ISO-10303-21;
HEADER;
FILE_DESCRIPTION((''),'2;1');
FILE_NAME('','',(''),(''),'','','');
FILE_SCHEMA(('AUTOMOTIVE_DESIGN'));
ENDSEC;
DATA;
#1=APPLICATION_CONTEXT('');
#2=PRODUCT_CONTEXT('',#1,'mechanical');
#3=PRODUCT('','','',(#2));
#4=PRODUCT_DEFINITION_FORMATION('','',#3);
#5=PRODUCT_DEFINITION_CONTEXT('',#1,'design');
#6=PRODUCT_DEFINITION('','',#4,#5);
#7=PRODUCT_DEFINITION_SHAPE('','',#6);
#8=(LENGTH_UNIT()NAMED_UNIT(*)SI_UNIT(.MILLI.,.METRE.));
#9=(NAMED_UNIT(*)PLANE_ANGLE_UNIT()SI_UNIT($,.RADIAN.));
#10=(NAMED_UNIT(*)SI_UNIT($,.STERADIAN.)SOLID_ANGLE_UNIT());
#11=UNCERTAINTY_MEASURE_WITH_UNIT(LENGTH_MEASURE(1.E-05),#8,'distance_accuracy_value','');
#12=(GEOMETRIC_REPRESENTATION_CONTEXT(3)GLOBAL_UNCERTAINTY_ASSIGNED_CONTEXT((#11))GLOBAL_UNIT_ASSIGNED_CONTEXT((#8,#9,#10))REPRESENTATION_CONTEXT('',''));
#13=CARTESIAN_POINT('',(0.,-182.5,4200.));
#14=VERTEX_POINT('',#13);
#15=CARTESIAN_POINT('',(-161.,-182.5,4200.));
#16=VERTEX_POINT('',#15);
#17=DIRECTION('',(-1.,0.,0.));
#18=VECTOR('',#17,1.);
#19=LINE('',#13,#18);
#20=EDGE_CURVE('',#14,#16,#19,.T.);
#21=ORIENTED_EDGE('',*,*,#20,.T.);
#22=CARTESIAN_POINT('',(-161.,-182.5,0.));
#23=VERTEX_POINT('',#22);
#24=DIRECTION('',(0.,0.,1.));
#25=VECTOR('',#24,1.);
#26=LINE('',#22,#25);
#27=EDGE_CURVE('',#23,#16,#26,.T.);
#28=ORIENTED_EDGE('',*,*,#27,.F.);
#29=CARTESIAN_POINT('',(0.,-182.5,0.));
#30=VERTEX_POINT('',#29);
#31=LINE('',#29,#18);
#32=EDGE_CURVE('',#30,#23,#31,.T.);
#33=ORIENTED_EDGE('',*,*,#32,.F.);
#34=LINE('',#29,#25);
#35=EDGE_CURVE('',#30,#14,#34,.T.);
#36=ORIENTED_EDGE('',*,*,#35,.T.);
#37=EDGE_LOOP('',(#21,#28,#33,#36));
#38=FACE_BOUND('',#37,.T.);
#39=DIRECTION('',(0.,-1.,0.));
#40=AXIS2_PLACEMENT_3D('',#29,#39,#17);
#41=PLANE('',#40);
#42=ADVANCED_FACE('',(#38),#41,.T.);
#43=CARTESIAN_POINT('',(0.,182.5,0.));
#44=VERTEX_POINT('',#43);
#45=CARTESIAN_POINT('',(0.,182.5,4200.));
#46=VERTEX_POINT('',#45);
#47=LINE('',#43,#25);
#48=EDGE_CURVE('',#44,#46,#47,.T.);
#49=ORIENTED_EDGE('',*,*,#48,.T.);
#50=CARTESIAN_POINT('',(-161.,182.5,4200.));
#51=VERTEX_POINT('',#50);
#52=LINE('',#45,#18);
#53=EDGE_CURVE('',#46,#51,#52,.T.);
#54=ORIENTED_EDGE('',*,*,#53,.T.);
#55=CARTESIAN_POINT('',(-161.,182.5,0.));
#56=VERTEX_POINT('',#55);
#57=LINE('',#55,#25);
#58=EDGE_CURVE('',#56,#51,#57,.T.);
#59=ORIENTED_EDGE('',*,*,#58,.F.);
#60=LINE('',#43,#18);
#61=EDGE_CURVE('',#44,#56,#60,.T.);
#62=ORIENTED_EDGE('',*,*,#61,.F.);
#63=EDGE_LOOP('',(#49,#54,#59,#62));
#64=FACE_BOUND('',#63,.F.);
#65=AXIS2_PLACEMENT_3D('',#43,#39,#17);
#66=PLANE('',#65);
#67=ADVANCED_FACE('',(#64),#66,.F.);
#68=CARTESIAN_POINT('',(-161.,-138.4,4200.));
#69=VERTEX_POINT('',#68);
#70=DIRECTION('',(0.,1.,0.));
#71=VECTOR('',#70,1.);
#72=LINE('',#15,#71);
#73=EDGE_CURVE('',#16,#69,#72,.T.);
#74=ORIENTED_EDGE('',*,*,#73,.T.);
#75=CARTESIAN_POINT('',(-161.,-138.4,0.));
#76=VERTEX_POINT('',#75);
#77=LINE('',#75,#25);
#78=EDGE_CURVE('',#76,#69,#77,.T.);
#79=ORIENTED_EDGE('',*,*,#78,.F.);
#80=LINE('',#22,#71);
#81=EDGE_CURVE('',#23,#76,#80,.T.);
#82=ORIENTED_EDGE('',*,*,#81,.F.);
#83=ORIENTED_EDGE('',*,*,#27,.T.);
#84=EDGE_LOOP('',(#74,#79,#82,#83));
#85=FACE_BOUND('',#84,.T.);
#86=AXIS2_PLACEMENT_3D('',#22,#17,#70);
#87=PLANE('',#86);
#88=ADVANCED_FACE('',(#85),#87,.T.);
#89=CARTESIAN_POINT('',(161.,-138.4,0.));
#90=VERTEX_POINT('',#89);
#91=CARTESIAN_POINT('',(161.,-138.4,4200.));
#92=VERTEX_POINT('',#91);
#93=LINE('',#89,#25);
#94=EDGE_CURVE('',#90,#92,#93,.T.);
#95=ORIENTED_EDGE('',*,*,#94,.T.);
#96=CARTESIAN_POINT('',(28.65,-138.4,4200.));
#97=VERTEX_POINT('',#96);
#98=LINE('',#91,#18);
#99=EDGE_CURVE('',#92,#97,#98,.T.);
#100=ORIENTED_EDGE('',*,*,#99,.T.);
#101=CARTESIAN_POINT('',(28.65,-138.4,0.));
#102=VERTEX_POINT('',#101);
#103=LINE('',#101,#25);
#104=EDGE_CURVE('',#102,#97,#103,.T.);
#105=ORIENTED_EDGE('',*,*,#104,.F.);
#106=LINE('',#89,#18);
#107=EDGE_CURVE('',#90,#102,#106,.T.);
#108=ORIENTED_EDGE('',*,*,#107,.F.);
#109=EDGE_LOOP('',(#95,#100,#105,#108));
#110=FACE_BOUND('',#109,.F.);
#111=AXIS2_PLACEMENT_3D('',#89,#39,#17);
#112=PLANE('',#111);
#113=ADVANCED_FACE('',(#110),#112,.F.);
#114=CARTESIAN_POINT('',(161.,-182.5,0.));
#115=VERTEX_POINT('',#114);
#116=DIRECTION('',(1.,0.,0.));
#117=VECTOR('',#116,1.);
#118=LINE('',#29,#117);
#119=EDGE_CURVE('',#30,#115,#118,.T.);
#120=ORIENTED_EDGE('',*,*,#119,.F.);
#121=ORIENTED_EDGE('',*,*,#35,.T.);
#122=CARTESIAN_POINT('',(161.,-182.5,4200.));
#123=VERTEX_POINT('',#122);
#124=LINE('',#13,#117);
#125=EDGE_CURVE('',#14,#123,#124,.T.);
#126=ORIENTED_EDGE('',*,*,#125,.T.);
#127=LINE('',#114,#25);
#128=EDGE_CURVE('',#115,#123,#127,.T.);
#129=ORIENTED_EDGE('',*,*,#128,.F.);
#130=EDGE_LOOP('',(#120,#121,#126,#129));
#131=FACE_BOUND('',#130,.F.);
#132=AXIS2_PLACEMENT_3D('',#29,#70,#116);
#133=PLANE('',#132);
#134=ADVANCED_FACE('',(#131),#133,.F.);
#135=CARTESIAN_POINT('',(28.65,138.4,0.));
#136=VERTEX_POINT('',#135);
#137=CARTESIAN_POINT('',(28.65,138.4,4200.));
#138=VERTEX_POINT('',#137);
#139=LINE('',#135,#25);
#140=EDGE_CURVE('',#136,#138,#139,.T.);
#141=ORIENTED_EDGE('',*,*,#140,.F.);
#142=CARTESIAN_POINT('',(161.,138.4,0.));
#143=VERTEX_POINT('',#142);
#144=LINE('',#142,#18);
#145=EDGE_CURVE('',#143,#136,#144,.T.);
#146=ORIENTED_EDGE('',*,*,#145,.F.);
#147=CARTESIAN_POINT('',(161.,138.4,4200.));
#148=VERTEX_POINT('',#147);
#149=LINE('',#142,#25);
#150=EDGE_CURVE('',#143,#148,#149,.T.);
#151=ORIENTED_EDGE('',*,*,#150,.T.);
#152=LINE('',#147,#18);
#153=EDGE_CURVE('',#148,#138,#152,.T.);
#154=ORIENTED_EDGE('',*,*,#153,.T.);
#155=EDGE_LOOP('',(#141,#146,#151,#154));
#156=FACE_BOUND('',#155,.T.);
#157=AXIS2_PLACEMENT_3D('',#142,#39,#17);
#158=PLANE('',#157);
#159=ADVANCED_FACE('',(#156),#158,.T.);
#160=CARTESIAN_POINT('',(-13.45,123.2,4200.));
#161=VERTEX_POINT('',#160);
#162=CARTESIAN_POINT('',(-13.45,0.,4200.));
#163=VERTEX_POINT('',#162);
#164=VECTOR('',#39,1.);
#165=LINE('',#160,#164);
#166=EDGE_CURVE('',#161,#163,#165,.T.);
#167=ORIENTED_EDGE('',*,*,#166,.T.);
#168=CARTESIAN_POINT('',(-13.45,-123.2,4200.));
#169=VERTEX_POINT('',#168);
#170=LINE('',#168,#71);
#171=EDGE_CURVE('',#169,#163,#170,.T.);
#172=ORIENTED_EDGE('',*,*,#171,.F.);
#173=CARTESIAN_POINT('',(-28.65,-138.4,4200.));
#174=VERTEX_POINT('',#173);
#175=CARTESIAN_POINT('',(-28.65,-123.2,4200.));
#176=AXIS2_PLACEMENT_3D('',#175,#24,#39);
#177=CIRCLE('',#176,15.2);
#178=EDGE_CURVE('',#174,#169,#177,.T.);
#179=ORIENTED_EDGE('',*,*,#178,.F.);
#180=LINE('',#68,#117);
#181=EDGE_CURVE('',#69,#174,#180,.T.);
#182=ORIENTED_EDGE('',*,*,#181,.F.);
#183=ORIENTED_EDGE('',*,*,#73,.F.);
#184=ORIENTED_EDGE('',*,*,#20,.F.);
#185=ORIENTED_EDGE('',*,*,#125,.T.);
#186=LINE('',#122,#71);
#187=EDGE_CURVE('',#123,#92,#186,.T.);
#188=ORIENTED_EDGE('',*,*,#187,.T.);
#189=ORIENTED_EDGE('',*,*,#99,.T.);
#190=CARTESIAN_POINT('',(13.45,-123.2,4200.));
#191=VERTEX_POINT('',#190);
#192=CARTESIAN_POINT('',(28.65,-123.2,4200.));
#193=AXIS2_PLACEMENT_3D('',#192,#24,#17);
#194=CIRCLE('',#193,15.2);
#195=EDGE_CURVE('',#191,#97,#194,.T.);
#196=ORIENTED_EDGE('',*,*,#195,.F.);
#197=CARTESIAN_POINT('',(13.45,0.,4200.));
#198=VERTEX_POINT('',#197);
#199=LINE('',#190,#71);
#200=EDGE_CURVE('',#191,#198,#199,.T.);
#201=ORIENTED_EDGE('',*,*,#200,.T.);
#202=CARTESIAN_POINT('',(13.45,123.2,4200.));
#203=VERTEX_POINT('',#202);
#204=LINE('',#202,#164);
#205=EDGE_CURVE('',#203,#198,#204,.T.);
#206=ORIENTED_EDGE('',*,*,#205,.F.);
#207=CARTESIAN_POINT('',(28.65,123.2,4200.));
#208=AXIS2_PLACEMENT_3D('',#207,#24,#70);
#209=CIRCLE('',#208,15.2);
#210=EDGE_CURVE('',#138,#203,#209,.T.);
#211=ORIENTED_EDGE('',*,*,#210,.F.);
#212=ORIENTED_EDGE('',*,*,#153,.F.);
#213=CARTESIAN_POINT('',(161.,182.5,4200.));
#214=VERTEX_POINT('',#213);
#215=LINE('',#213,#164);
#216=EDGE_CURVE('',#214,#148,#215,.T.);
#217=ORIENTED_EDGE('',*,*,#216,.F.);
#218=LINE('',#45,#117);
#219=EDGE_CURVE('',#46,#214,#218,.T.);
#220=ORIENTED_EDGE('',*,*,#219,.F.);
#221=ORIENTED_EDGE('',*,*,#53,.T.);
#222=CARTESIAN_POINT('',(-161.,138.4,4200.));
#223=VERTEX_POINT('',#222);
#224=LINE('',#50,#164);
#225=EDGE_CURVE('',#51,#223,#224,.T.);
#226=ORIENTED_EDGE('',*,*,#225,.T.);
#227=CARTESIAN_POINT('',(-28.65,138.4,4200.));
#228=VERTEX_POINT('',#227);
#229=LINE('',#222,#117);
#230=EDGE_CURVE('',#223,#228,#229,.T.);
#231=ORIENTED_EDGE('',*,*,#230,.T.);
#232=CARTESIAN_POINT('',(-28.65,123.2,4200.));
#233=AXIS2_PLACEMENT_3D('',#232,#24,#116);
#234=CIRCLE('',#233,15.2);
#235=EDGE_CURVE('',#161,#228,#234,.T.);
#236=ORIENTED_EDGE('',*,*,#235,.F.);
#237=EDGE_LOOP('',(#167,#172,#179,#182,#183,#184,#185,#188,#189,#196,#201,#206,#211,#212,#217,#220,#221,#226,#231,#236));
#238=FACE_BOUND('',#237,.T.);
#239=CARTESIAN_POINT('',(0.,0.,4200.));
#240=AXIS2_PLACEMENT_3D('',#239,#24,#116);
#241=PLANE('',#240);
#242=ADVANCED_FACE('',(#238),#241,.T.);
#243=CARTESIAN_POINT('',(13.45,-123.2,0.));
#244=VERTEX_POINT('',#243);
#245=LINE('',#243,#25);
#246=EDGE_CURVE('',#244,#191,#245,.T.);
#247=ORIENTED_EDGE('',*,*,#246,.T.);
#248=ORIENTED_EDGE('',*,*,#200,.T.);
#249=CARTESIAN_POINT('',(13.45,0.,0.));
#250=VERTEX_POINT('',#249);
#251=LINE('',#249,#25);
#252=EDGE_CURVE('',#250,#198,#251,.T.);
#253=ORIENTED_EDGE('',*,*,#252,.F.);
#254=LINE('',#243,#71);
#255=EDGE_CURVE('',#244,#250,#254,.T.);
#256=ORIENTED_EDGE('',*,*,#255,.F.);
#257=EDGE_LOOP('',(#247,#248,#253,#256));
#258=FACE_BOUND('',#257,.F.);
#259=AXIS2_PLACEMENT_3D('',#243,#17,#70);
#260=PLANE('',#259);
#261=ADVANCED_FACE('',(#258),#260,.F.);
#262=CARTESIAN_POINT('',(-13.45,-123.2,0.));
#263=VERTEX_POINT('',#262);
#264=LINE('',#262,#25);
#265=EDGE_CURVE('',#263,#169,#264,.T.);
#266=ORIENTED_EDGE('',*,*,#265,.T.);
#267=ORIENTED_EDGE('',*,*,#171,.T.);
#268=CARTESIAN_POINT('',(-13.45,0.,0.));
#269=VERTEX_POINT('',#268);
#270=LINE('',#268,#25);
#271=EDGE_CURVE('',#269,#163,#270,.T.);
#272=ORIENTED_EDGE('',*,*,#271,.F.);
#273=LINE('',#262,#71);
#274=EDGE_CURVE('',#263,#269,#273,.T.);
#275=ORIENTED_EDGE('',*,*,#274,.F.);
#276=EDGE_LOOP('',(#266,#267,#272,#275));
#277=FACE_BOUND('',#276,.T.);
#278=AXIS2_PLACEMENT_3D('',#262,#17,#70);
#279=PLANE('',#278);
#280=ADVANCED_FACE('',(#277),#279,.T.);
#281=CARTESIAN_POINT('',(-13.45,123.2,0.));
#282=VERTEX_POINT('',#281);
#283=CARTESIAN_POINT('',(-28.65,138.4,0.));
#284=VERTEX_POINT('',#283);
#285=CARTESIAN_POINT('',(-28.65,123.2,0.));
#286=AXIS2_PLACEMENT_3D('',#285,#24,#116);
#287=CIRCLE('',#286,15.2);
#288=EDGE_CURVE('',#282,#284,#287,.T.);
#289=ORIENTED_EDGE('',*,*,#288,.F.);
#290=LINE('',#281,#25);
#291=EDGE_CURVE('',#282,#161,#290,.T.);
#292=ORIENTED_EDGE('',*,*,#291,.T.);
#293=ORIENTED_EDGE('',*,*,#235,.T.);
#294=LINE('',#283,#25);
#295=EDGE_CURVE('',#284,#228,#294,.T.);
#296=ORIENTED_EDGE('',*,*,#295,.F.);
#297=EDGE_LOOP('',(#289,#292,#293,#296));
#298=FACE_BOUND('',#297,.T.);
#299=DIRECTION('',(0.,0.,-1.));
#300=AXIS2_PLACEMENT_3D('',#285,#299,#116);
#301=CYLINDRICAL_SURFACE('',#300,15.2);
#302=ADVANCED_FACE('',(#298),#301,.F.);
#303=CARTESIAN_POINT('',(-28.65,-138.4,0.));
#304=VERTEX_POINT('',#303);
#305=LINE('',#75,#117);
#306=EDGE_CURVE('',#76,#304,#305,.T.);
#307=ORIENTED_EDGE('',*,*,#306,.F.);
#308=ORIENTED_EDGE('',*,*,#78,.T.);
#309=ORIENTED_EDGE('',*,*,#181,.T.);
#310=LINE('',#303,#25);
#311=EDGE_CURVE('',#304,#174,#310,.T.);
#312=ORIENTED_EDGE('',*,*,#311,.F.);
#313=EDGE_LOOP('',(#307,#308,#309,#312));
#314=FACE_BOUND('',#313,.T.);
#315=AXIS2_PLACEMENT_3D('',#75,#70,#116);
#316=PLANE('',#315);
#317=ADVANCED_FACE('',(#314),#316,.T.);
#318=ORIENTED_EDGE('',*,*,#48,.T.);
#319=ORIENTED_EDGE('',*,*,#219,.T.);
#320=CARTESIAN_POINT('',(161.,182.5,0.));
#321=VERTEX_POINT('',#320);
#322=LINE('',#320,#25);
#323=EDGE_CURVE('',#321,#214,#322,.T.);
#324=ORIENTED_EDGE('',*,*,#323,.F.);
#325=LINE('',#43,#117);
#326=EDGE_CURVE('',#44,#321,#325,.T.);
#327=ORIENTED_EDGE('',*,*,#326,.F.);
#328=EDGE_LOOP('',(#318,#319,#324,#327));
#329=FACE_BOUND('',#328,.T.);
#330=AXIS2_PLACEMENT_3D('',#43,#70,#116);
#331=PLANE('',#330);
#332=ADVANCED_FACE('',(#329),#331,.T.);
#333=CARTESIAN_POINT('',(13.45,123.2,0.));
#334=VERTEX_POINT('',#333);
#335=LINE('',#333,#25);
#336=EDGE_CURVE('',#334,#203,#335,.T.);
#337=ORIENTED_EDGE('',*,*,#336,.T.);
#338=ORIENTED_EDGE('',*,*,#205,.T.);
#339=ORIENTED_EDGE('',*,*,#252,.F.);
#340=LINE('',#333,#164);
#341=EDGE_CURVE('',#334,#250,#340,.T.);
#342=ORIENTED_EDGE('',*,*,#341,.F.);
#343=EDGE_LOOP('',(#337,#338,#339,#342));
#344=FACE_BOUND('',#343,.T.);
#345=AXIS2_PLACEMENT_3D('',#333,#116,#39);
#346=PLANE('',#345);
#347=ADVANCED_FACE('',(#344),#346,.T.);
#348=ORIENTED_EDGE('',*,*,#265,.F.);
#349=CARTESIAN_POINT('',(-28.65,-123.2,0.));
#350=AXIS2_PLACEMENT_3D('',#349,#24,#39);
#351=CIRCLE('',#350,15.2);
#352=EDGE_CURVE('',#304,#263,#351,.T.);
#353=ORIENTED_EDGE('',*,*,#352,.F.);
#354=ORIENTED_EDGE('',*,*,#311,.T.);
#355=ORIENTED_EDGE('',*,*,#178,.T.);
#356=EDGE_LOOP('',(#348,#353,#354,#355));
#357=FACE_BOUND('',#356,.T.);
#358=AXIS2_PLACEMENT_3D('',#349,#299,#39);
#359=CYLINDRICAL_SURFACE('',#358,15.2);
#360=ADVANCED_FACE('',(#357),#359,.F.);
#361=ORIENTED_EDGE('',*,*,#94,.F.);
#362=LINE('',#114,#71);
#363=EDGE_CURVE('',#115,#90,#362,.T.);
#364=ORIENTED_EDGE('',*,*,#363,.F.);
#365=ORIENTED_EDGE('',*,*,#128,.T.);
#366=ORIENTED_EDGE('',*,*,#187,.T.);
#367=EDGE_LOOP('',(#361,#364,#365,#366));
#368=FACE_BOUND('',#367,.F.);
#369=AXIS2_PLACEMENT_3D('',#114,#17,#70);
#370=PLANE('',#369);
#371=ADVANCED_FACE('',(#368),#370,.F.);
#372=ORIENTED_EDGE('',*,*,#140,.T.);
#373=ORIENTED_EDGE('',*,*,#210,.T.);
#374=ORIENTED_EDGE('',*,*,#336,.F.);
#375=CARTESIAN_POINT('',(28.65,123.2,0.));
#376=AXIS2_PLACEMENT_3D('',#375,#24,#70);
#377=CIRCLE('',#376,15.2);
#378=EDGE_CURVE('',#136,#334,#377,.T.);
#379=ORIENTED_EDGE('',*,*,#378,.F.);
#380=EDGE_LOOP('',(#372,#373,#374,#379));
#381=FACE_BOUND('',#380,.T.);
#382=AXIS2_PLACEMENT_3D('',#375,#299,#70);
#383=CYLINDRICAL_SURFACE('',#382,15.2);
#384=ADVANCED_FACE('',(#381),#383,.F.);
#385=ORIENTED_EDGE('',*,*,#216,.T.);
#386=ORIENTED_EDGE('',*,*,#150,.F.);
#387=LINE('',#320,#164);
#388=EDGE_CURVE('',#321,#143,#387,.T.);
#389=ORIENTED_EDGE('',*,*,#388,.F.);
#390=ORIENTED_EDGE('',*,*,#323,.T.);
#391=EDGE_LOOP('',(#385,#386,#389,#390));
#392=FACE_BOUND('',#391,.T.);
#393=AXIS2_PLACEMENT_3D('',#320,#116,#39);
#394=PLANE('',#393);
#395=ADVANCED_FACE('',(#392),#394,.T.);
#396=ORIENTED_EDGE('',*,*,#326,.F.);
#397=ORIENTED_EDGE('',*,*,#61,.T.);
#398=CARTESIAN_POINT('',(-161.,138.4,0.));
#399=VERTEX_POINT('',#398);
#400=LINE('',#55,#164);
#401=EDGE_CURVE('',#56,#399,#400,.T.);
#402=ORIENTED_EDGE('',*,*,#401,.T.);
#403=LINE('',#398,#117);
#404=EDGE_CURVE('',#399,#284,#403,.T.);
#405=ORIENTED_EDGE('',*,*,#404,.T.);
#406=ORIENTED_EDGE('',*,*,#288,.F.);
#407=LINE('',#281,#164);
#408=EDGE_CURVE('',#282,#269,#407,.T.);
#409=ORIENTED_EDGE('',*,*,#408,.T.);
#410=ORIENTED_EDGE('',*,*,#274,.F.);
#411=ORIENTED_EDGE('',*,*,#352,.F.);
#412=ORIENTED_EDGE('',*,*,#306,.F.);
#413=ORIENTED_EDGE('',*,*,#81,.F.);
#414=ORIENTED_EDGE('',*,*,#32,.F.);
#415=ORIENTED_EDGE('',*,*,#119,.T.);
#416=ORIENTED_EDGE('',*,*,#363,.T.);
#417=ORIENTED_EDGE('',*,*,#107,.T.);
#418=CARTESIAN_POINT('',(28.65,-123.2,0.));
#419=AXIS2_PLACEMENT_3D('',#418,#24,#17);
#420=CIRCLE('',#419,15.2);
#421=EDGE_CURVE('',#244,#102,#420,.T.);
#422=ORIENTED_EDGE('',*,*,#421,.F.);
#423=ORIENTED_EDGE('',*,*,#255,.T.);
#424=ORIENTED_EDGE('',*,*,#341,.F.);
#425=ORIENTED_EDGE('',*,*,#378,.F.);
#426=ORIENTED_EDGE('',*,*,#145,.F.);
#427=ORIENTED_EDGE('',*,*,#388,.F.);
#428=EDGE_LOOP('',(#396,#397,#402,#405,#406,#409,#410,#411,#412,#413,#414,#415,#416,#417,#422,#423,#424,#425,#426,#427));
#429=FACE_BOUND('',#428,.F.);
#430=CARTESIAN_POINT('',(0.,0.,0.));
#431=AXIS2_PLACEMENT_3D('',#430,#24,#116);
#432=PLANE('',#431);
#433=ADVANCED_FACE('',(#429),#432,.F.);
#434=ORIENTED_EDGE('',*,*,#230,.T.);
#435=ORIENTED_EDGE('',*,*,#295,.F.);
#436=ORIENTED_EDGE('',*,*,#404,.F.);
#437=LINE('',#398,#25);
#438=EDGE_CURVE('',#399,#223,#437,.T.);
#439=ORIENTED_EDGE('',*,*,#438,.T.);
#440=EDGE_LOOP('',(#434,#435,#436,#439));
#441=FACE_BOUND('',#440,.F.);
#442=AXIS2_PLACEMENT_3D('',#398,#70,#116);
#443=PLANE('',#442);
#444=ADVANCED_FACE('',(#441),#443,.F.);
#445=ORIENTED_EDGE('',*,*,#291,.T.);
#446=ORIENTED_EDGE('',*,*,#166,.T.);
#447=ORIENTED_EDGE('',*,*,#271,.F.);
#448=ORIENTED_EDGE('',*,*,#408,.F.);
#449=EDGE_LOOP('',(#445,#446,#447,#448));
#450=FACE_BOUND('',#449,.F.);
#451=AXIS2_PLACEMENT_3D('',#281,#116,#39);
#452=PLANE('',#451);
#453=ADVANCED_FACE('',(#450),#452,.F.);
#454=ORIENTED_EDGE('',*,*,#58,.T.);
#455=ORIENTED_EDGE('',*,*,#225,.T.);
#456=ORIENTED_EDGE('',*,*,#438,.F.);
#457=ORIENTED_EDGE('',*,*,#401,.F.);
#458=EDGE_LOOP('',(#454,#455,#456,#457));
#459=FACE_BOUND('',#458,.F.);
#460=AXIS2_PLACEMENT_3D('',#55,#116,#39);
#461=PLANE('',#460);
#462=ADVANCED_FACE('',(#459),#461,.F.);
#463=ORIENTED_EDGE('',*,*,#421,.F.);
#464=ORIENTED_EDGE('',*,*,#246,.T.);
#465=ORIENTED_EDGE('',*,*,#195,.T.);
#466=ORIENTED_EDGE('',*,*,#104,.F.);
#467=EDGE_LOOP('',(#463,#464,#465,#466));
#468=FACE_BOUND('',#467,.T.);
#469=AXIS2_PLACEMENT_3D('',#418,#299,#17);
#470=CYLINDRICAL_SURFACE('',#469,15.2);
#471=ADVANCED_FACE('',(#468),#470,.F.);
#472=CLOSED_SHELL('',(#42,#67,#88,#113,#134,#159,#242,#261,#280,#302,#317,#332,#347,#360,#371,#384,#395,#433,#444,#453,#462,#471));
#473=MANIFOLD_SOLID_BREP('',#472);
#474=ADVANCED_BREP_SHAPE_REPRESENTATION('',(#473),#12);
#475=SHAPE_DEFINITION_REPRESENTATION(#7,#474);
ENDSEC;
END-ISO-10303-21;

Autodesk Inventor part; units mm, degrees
ref_plane "YZ Plane" through (0, 0, 0) normal (1, 0, 0) x (0, 1, 0)
ref_plane "Start plane" through (0, 0, 0) normal (0, 0, 1) x (1, 0, 0)
ref_plane "End plane" through (0, 0, 4200) normal (0, 0, 1) x (1, 0, 0)
sketch "Sketch" plane through (0, 0, 0) normal (0, 0, 1) x (1, 0, 0)
  line L0 (-161, -182.5) -> (-161, -138.4)
  line L1 (-161, -138.4) -> (-28.65, -138.4)
  line L2 (-13.45, -123.2) -> (-13.45, 0)
  line L3 (-13.45, 0) -> (0, 0) construction
  line L4 (0, 0) -> (0, -182.5) construction
  line L5 (0, -182.5) -> (-161, -182.5)
  line L6 (-60, 0) -> (80, 0) construction
  line L7 (0, -60) -> (0, 80) construction
  line L8 (161, -182.5) -> (161, -138.4)
  line L9 (161, -138.4) -> (28.65, -138.4)
  line L10 (13.45, -123.2) -> (13.45, 0)
  line L11 (13.45, 0) -> (0, 0) construction
  line L12 (0, -182.5) -> (161, -182.5)
  line L13 (-161, 182.5) -> (-161, 138.4)
  line L14 (-161, 138.4) -> (-28.65, 138.4)
  line L15 (-13.45, 123.2) -> (-13.45, 0)
  line L16 (0, 182.5) -> (-161, 182.5)
  line L17 (161, 182.5) -> (161, 138.4)
  line L18 (161, 138.4) -> (28.65, 138.4)
  line L19 (0, 182.5) -> (161, 182.5)
  line L20 (13.45, 123.2) -> (13.45, 0)
  arc A0 (-13.45, 123.2) -> (-28.65, 138.4) centre (-28.65, 123.2) ccw
  arc A1 (28.65, 138.4) -> (13.45, 123.2) centre (28.65, 123.2) ccw
  arc A2 (13.45, -123.2) -> (28.65, -138.4) centre (28.65, -123.2) ccw
  arc A3 (-28.65, -138.4) -> (-13.45, -123.2) centre (-28.65, -123.2) ccw
  line L21 (0, 108) -> (0, -88) construction
  line L22 (-88, 0) -> (108, 0) construction
  point P0 (-13.45, -138.4)
  point P1 (13.45, -138.4)
  point P2 (-13.45, 138.4)
  point P3 (13.45, 138.4)
  dimension "d1" = 182.5
  dimension "d2" = 44.1
  dimension "d3" = 161
  dimension "d4" = 13.45
  dimension "d10" = 15.2
extrude "Body" add sketch "Sketch" along normal up to surface (4200 mm away) from surface at 0
sketch "Sketch4" plane through (0, 0, 0) normal (0, 0, 1) x (1, 0, 0)
  line L0 (0, 0) -> (10, 0)
ref_plane "Work Plane3" through (0, 0, 0) normal (0, -1, 0) x (1, 0, 0)
sketch "Sketch5" plane through (0, 0, 0) normal (0, -1, 0) x (1, 0, 0)
  line L0 (-2, 0) -> (12, 0) projected
  line L1 (-2, 4200) -> (12, 4200) projected
  dimension "d14" = 4200
equation "\"d1\" = 0.5 * G_H"
equation "\"d2\" = G_T1"
equation "\"d3\" = 0.5 * G_W"
equation "\"d4\" = 0.5 * G_T"
equation "\"d10\" = G_IR"
equation "\"d5\" = G_L"
equation "\"G_W\" = 322"
equation "\"G_H\" = 365"
equation "\"G_T\" = 26.9"
equation "\"G_T1\" = 44.1"
equation "\"G_IR\" = 15.2"
equation "\"G_L\" = d14"
equation "\"G_OFFSET_START\" = 0"
equation "\"G_OFFSET_END\" = 0"
properties part number "AS 3679 - 310 UC - 283 - 4200" material "Steel, Mild"
